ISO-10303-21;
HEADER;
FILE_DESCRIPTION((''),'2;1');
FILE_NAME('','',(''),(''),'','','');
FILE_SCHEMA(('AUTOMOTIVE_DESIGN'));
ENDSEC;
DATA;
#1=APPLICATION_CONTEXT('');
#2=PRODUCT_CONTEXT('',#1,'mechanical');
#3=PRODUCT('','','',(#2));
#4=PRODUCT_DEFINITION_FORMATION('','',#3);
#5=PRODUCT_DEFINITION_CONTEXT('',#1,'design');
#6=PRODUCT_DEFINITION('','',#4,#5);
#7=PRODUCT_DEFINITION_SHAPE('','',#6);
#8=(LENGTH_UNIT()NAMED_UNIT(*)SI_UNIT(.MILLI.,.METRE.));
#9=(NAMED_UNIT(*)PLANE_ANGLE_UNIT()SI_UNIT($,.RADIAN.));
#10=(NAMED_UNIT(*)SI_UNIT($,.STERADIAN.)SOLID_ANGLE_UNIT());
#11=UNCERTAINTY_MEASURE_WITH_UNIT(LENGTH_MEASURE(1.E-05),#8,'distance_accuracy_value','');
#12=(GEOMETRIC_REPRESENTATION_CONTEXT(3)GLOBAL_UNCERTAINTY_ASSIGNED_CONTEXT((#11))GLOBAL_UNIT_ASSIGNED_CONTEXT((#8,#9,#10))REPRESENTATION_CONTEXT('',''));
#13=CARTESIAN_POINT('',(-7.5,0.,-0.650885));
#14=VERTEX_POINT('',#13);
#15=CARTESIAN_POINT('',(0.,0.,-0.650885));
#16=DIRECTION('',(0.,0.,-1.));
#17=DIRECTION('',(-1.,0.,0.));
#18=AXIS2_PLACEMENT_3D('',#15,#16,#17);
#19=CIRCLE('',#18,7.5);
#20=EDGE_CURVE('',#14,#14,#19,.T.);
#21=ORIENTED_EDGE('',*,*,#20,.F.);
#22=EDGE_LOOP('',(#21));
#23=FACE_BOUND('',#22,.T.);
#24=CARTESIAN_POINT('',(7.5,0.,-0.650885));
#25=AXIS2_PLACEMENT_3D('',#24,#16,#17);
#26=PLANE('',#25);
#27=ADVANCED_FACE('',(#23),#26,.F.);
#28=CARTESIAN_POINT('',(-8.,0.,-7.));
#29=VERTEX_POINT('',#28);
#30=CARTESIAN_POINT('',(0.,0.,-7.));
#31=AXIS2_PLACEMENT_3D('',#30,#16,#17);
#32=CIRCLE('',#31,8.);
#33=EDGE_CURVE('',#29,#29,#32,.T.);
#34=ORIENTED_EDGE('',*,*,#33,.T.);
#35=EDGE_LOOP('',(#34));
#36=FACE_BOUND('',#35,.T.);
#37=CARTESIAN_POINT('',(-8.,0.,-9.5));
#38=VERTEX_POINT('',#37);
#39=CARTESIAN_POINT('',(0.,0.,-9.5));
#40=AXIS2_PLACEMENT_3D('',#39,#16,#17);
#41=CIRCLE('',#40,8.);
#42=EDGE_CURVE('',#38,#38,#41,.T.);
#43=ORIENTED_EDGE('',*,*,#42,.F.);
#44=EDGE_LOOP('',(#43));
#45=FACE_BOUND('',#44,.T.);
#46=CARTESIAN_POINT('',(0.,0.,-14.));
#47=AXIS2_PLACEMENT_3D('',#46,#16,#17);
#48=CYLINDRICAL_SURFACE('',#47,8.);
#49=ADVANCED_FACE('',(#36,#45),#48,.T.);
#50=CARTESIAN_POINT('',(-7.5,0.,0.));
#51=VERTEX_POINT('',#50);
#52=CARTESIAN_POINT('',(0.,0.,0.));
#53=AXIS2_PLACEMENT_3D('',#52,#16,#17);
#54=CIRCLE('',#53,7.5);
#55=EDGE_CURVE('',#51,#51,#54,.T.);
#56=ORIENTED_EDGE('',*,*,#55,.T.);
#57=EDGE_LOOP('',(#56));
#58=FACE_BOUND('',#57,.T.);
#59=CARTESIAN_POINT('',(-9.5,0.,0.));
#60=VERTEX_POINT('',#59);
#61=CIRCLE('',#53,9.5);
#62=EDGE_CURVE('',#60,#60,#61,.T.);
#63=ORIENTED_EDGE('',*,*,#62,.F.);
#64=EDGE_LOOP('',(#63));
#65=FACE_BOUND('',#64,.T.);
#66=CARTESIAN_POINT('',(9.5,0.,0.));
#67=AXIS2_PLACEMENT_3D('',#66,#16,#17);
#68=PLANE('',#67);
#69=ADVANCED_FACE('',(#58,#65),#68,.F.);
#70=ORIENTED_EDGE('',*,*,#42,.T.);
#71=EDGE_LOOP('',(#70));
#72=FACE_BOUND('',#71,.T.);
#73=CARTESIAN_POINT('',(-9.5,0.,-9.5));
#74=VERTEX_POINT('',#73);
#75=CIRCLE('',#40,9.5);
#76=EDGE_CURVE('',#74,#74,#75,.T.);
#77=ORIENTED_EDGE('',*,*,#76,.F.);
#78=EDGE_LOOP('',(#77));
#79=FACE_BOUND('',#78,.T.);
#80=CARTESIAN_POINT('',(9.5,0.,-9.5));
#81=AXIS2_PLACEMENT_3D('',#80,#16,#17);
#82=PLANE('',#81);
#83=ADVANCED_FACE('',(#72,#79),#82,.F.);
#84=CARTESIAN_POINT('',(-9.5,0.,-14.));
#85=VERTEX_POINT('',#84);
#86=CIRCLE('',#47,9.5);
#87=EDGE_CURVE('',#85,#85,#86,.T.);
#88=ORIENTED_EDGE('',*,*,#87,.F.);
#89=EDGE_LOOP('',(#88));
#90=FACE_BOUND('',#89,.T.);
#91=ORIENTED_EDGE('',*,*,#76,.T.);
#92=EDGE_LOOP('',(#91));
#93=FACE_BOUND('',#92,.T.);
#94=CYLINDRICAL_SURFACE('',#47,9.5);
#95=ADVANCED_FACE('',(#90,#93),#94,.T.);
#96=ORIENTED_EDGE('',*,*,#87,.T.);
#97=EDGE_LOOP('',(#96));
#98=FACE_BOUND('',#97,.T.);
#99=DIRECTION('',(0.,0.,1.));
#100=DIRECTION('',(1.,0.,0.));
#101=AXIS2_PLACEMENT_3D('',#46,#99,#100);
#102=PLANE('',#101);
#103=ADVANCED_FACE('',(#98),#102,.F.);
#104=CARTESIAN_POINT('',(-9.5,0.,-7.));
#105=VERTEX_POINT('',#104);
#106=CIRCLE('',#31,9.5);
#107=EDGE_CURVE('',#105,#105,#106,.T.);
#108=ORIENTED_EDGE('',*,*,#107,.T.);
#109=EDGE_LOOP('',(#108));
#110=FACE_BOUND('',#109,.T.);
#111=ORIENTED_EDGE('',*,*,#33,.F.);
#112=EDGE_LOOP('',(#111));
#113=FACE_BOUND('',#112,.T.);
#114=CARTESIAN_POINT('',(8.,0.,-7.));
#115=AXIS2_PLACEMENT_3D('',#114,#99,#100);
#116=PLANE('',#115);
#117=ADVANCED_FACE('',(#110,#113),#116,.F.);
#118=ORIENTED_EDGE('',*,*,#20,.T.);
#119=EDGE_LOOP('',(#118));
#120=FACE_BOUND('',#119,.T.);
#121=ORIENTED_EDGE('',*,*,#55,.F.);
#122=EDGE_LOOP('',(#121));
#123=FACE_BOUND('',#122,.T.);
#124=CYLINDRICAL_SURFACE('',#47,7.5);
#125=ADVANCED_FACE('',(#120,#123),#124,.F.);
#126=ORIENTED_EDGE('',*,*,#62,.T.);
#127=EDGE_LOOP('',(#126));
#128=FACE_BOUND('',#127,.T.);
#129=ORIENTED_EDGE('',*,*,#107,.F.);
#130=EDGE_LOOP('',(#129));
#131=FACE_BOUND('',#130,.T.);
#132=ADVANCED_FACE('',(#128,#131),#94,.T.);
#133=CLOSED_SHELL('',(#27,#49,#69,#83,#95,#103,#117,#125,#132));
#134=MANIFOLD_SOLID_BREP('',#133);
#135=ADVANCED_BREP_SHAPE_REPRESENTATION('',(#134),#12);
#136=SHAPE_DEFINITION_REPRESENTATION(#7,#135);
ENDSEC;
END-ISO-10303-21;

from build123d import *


with BuildPart() as part:
    # Эскиз2 → Повернуть1 (revolve)
    with BuildSketch(Plane(origin=(0, 0, 0), x_dir=(1, 0, 0), z_dir=(0, 1, 0)), mode=Mode.PRIVATE) as revolve_1_sk:
        Polygon((0, 14), (0, 0.650885227), (7.5, 0.650885227), (7.5, 0), (9.5, 0), (9.5, 7), (8, 7), (8, 9.5), (9.5, 9.5), (9.5, 14), align=None)
    revolve(revolve_1_sk.sketch.rotate(Axis((0, 0, -14), (0, 0, 1)), 180), axis=Axis((0, 0, -14), (0, 0, 1)))


solid = part.part
